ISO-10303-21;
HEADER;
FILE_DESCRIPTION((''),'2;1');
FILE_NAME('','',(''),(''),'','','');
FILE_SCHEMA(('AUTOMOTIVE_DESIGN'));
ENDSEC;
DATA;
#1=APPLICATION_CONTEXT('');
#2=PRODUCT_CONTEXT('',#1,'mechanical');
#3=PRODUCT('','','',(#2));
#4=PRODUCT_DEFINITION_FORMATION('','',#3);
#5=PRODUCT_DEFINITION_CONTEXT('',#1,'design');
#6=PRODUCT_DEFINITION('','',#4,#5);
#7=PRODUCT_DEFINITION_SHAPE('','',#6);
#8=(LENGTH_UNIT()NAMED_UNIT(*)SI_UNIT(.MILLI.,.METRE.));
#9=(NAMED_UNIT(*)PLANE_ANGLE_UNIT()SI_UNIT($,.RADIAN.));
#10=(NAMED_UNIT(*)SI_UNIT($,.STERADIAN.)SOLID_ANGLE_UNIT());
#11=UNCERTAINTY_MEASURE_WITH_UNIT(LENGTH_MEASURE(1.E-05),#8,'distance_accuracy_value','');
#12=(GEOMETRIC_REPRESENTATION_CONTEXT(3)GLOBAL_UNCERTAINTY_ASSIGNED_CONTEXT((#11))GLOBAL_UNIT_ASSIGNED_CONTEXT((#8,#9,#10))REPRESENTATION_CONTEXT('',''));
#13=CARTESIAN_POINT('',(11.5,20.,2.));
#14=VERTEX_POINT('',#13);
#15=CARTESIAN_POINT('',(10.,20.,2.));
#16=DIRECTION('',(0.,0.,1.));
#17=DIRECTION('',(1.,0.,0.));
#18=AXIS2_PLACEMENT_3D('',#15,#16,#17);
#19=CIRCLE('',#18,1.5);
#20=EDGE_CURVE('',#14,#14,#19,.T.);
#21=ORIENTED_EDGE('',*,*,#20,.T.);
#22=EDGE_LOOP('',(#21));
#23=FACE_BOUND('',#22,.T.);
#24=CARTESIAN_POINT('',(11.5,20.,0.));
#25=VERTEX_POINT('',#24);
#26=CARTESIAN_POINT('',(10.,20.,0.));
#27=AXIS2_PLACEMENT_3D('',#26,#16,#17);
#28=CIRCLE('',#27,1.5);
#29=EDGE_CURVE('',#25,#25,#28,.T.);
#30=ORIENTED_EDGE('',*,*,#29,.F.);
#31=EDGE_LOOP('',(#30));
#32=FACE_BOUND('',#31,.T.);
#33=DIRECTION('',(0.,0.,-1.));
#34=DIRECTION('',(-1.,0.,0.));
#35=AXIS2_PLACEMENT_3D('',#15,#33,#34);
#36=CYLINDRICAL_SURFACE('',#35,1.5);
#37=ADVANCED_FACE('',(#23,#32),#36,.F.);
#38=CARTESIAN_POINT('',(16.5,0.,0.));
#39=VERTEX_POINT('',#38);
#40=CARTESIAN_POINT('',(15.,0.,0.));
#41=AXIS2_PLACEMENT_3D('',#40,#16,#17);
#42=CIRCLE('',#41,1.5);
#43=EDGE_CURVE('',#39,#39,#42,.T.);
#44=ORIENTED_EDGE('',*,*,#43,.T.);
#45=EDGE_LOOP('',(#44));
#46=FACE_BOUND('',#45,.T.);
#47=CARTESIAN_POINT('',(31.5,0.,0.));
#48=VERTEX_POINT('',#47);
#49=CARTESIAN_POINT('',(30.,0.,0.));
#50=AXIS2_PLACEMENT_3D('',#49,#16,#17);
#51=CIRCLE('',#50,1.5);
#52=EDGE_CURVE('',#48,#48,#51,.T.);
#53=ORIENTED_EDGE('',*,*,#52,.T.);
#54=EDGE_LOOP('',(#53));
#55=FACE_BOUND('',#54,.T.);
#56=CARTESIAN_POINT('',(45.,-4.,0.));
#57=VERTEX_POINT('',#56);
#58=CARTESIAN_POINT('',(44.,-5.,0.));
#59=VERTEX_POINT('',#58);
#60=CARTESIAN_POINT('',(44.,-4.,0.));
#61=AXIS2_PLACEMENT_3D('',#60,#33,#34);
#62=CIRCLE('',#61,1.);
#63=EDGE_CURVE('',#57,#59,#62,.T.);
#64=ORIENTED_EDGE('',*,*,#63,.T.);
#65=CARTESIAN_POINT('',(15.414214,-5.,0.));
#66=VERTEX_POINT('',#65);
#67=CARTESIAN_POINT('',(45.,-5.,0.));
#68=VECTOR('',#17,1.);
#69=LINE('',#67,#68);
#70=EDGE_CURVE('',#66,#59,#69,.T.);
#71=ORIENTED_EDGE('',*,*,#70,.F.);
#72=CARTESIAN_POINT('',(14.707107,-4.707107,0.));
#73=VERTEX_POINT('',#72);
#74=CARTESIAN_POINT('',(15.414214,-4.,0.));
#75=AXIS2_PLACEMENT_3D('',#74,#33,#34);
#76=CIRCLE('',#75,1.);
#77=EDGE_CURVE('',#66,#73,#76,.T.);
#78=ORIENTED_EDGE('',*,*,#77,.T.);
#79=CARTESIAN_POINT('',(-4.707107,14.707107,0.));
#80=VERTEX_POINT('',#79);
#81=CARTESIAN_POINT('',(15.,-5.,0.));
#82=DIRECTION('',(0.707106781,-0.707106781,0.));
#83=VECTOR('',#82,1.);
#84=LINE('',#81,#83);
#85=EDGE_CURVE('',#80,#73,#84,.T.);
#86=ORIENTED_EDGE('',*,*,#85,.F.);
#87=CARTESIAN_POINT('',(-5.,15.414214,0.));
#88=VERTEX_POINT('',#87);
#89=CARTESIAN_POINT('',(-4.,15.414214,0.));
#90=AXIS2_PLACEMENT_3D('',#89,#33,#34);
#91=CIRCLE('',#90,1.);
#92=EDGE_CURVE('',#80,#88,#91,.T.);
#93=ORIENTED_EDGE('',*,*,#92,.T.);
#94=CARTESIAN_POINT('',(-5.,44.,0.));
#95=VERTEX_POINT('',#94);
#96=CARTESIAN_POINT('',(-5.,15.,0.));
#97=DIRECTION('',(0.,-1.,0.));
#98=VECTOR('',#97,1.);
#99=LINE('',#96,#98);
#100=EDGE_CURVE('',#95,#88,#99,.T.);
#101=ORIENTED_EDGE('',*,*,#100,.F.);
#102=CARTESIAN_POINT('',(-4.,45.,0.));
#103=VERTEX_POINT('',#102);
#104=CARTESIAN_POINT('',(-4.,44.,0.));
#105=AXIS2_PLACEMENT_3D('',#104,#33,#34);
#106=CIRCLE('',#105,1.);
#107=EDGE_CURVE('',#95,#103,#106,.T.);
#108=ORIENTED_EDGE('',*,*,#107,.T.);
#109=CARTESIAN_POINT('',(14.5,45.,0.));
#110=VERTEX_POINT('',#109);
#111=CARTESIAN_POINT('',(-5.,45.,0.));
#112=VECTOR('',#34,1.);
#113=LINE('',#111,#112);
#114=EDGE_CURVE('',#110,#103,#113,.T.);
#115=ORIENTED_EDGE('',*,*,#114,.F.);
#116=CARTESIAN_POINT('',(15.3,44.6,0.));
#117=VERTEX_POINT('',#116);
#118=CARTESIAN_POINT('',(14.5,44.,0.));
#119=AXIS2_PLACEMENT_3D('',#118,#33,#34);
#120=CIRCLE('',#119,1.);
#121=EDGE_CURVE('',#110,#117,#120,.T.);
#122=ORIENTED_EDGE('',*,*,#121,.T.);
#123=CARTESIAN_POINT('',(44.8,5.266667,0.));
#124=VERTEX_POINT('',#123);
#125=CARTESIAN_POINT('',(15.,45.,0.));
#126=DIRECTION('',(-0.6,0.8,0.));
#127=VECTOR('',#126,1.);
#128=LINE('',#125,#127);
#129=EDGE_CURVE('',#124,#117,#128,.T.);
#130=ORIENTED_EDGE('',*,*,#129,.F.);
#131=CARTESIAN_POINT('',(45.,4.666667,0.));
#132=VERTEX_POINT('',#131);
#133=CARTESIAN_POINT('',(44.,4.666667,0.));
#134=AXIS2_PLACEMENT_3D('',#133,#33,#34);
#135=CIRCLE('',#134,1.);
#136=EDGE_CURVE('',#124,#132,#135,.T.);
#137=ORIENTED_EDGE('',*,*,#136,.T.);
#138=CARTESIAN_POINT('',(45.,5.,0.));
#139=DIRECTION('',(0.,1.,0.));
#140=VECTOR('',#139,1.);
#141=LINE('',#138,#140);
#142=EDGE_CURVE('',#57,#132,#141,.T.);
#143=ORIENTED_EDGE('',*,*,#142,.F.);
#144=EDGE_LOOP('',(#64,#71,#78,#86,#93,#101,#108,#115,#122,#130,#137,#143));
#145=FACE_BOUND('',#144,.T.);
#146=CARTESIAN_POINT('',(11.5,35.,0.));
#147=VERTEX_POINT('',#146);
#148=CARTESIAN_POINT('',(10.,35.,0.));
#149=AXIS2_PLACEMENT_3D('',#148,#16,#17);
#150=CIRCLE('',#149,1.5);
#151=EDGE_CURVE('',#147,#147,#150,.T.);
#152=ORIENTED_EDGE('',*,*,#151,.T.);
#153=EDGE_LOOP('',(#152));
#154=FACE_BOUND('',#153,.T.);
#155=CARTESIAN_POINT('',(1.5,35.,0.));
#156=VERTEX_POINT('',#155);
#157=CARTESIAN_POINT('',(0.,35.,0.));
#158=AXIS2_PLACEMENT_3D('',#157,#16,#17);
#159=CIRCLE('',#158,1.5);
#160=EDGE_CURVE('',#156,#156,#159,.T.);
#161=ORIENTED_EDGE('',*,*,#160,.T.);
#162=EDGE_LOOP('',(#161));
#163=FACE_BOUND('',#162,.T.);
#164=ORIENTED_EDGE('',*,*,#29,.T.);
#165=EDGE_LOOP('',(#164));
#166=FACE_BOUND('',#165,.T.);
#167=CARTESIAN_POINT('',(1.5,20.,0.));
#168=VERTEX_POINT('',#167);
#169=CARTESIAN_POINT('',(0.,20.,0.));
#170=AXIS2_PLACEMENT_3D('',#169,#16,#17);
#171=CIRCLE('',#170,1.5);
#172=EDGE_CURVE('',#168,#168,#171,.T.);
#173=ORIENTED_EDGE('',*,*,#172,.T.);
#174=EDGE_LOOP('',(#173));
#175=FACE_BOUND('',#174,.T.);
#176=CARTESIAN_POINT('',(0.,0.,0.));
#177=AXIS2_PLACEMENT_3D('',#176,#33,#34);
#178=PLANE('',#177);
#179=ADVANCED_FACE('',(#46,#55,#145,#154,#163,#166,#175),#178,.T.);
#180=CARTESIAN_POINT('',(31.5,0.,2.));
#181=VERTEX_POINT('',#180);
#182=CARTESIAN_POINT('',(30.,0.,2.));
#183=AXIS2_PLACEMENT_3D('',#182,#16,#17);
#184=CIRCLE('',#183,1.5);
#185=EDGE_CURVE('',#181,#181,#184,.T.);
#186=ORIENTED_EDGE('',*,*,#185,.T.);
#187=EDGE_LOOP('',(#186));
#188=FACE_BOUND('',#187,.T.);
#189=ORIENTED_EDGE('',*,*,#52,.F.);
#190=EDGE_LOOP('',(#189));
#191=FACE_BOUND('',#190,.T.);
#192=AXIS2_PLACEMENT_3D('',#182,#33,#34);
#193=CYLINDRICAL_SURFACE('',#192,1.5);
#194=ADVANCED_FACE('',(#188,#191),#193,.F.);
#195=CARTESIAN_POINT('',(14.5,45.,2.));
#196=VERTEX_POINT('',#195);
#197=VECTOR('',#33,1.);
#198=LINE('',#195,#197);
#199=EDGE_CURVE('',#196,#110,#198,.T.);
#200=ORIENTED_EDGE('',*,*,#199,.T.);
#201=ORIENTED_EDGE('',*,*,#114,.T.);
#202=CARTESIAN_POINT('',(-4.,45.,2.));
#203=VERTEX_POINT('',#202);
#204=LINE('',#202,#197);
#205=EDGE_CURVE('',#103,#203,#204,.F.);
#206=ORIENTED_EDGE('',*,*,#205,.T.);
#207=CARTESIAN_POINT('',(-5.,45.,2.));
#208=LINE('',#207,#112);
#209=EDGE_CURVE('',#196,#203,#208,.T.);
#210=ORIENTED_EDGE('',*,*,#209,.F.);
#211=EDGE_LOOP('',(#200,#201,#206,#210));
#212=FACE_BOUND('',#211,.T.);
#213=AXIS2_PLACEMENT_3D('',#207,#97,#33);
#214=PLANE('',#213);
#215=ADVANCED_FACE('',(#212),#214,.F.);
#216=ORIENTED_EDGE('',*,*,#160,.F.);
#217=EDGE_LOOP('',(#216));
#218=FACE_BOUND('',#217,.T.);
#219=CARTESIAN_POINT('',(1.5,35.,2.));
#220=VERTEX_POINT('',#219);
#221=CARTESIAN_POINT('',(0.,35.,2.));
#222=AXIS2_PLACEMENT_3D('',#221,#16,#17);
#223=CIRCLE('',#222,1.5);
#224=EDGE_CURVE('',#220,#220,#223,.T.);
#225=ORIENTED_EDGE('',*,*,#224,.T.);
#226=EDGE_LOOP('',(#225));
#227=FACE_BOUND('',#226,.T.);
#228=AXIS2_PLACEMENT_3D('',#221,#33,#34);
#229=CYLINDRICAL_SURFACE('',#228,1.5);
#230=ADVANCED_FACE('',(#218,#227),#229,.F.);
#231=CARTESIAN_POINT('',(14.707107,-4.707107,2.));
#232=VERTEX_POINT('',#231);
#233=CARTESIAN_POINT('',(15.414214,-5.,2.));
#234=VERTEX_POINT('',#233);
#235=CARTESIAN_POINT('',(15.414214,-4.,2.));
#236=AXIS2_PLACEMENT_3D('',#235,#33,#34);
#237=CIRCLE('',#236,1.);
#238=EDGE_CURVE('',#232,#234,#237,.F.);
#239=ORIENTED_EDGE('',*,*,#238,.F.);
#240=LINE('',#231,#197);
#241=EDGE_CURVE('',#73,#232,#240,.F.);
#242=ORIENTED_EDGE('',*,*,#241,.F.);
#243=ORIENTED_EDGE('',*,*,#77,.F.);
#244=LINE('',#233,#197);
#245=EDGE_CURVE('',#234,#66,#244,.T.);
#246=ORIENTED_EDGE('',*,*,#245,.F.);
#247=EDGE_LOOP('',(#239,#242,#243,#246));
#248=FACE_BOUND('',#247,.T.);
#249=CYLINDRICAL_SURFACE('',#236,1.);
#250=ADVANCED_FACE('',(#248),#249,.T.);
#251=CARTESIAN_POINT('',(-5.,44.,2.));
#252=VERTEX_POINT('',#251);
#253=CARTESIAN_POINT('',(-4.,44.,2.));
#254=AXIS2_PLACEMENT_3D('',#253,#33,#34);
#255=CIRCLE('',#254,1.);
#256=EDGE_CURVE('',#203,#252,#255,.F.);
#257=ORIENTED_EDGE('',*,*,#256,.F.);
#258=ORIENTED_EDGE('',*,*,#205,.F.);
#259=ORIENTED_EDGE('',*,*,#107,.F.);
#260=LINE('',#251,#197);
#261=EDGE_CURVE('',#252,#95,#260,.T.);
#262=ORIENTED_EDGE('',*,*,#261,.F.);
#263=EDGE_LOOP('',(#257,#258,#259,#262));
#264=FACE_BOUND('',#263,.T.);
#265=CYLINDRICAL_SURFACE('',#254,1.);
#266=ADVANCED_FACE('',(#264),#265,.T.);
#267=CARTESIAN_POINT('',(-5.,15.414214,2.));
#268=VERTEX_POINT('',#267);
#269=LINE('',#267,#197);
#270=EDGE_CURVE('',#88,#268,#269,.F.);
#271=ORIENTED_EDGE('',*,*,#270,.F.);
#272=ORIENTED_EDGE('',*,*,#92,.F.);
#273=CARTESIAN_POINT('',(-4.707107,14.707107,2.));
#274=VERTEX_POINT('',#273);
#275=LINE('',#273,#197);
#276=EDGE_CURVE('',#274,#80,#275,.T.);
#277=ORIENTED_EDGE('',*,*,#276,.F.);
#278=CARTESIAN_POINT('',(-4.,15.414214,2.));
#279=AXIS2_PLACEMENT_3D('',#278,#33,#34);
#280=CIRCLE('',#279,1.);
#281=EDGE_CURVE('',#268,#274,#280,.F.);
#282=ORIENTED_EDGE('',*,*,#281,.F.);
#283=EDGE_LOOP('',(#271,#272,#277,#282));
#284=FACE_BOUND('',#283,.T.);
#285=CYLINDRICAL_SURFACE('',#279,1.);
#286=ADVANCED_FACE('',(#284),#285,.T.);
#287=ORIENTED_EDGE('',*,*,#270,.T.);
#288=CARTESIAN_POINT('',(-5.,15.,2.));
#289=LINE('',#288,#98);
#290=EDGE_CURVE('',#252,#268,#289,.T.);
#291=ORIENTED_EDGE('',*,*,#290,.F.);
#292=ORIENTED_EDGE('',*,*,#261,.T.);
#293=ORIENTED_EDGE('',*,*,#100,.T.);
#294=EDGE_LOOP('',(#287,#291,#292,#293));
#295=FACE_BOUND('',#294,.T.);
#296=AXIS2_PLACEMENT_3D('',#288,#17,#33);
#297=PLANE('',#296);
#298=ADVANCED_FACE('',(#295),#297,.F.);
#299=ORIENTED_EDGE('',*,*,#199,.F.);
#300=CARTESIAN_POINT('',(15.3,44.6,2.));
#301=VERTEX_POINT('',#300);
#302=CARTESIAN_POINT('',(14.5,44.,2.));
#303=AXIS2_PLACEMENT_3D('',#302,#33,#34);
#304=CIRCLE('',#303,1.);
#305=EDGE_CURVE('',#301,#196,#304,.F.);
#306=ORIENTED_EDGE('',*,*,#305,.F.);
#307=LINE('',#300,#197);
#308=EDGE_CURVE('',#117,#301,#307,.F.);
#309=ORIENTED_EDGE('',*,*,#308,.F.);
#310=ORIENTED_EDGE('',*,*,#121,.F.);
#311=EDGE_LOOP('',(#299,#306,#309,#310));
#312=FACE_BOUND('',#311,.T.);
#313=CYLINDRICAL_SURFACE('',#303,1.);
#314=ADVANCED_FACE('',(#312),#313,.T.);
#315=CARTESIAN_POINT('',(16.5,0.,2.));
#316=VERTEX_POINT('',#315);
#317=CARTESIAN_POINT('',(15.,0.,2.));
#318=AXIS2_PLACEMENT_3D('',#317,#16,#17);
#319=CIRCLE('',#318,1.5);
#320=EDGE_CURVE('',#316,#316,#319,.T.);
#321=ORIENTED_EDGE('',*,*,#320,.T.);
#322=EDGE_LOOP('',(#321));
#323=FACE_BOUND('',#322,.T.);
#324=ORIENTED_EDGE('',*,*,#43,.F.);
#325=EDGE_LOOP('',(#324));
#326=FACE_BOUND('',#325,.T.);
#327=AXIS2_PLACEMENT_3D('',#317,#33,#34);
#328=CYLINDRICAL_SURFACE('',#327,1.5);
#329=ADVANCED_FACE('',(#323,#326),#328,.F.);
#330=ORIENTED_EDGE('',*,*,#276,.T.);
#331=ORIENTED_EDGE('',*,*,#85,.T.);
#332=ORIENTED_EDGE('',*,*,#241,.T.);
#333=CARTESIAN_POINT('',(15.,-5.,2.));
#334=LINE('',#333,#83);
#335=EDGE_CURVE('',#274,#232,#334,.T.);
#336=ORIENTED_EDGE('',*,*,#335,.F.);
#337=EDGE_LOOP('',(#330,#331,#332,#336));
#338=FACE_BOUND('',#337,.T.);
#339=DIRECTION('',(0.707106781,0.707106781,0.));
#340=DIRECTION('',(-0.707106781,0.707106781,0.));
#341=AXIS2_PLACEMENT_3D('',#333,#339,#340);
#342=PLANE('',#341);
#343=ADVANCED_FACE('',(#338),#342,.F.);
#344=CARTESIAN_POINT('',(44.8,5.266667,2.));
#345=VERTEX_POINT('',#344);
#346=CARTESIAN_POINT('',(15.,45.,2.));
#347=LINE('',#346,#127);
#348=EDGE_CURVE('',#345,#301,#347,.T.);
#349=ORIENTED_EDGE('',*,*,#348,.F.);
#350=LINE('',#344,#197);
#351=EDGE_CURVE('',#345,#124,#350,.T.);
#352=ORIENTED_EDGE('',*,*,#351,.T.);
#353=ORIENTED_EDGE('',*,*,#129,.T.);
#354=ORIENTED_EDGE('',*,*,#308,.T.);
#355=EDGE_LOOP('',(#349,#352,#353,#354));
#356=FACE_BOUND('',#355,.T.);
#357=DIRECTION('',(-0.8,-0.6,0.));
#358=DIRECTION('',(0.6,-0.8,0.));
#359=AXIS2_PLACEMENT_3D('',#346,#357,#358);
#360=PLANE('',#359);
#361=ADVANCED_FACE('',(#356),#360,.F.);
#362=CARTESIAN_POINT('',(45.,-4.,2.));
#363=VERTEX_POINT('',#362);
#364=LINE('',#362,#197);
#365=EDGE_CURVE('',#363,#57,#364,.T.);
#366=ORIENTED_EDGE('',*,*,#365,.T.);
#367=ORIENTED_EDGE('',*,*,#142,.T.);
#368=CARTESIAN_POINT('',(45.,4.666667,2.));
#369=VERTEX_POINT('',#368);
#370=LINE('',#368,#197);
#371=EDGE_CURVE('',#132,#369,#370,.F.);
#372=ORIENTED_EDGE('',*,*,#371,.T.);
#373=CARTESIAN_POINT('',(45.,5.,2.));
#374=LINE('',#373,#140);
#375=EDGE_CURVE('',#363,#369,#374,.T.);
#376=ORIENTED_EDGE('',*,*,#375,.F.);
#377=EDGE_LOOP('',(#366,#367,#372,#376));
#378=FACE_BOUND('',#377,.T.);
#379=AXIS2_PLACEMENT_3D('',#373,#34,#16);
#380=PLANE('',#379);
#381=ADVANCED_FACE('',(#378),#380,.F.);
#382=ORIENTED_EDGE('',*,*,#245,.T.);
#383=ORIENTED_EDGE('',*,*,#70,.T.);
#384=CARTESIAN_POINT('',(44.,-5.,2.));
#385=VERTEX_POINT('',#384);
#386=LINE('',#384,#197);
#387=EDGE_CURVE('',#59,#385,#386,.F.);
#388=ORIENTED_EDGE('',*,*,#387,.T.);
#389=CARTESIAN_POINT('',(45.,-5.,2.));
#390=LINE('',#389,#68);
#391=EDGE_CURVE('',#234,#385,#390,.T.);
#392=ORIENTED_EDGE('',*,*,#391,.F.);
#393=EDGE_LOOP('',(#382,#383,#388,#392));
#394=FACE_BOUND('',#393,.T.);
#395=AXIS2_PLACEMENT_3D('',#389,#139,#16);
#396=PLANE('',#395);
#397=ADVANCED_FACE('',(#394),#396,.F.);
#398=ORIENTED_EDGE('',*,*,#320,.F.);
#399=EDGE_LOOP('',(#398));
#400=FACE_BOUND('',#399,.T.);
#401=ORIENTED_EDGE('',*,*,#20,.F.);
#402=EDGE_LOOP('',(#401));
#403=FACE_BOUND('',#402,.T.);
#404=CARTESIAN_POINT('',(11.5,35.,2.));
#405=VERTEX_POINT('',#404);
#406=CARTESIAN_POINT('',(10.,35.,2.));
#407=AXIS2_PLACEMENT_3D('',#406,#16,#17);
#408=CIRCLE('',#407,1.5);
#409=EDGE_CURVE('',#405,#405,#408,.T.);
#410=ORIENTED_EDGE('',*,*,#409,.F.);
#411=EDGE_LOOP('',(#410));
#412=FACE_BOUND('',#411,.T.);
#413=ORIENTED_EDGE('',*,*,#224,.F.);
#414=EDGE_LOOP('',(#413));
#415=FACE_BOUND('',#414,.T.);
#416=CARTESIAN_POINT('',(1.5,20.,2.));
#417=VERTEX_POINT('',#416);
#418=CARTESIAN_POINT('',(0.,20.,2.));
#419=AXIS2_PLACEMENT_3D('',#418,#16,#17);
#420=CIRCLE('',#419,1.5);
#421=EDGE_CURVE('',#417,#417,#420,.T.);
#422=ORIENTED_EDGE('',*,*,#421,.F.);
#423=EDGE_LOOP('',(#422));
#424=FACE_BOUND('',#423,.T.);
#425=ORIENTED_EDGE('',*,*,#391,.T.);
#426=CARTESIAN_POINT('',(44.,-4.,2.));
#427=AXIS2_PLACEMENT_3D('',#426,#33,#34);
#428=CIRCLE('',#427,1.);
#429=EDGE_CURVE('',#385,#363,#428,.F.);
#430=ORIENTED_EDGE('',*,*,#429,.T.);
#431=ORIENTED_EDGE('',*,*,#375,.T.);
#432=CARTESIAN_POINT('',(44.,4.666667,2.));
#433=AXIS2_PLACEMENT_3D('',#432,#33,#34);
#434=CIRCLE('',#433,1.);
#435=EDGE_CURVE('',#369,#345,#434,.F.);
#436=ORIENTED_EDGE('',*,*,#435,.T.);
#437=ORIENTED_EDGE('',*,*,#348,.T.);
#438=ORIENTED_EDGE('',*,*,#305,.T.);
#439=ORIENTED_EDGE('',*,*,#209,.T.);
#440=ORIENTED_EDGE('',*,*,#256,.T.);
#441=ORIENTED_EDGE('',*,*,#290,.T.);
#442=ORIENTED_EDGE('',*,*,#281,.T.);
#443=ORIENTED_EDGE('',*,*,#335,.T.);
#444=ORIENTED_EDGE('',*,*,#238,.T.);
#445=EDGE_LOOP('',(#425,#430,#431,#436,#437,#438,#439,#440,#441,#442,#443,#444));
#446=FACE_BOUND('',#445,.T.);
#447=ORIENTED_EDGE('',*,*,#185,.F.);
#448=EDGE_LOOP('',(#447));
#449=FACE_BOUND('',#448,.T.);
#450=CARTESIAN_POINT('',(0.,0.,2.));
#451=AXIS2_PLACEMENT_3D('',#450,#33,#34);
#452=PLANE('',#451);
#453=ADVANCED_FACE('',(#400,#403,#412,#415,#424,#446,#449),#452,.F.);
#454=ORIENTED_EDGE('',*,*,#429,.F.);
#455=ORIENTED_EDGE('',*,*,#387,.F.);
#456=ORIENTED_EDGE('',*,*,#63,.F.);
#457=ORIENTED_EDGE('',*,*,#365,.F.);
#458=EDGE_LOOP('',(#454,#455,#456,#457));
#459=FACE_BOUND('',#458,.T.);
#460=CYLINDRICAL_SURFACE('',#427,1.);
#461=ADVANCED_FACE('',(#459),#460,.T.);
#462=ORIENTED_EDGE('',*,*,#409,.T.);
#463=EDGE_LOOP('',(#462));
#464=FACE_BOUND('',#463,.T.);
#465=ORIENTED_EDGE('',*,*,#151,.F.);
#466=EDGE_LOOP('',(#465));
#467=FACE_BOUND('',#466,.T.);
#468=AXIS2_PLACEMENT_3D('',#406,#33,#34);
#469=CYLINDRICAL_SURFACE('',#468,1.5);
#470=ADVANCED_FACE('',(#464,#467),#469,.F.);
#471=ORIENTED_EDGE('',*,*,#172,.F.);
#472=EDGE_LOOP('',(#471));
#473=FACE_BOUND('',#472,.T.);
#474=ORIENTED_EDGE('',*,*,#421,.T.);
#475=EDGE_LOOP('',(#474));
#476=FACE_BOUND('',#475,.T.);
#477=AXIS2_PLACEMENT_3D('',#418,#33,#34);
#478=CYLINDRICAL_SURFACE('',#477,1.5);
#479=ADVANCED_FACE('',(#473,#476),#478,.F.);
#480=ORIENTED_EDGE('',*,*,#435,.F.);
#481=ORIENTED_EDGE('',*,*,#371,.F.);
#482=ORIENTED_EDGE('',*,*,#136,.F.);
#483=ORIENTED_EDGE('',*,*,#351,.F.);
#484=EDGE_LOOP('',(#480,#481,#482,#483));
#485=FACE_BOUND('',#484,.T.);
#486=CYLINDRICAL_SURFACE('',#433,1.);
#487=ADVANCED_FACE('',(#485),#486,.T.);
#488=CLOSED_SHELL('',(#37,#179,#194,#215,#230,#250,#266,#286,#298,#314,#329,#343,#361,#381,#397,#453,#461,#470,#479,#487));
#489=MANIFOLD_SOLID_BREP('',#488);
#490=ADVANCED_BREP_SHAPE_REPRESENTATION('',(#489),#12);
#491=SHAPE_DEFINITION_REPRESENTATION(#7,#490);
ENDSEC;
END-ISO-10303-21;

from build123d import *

# Parameters (mm, degrees)
SKETCH_1_R      = 1.5
EXTRUDE_1_DEPTH = 2
FILLET_1_R      = 1


with BuildPart() as part:
    # 草图1 → 凸台-拉伸1 (new body)
    with BuildSketch(Plane.XY):
        Polygon((-5, 45), (15, 45), (45, 5), (45, -5), (15, -5), (-5, 15), align=None)
        with Locations((0, 35)):
            Circle(SKETCH_1_R, mode=Mode.SUBTRACT)
        with Locations((30, 0)):
            Circle(SKETCH_1_R, mode=Mode.SUBTRACT)
        with Locations((0, 20)):
            Circle(SKETCH_1_R, mode=Mode.SUBTRACT)
        with Locations((15, 0)):
            Circle(SKETCH_1_R, mode=Mode.SUBTRACT)
        with Locations((10, 35)):
            Circle(SKETCH_1_R, mode=Mode.SUBTRACT)
        with Locations((10, 20)):
            Circle(SKETCH_1_R, mode=Mode.SUBTRACT)
    extrude(amount=EXTRUDE_1_DEPTH)

    # 圆角1
    fillet_1_edges = [part.edges().sort_by_distance(p)[0] for p in [
        (-5, 45, 1),
        (15, 45, 1),
        (45, 5, 1),
        (45, -5, 1),
        (15, -5, 1),
        (-5, 15, 1),
    ]]
    fillet(fillet_1_edges, radius=FILLET_1_R)


solid = part.part
